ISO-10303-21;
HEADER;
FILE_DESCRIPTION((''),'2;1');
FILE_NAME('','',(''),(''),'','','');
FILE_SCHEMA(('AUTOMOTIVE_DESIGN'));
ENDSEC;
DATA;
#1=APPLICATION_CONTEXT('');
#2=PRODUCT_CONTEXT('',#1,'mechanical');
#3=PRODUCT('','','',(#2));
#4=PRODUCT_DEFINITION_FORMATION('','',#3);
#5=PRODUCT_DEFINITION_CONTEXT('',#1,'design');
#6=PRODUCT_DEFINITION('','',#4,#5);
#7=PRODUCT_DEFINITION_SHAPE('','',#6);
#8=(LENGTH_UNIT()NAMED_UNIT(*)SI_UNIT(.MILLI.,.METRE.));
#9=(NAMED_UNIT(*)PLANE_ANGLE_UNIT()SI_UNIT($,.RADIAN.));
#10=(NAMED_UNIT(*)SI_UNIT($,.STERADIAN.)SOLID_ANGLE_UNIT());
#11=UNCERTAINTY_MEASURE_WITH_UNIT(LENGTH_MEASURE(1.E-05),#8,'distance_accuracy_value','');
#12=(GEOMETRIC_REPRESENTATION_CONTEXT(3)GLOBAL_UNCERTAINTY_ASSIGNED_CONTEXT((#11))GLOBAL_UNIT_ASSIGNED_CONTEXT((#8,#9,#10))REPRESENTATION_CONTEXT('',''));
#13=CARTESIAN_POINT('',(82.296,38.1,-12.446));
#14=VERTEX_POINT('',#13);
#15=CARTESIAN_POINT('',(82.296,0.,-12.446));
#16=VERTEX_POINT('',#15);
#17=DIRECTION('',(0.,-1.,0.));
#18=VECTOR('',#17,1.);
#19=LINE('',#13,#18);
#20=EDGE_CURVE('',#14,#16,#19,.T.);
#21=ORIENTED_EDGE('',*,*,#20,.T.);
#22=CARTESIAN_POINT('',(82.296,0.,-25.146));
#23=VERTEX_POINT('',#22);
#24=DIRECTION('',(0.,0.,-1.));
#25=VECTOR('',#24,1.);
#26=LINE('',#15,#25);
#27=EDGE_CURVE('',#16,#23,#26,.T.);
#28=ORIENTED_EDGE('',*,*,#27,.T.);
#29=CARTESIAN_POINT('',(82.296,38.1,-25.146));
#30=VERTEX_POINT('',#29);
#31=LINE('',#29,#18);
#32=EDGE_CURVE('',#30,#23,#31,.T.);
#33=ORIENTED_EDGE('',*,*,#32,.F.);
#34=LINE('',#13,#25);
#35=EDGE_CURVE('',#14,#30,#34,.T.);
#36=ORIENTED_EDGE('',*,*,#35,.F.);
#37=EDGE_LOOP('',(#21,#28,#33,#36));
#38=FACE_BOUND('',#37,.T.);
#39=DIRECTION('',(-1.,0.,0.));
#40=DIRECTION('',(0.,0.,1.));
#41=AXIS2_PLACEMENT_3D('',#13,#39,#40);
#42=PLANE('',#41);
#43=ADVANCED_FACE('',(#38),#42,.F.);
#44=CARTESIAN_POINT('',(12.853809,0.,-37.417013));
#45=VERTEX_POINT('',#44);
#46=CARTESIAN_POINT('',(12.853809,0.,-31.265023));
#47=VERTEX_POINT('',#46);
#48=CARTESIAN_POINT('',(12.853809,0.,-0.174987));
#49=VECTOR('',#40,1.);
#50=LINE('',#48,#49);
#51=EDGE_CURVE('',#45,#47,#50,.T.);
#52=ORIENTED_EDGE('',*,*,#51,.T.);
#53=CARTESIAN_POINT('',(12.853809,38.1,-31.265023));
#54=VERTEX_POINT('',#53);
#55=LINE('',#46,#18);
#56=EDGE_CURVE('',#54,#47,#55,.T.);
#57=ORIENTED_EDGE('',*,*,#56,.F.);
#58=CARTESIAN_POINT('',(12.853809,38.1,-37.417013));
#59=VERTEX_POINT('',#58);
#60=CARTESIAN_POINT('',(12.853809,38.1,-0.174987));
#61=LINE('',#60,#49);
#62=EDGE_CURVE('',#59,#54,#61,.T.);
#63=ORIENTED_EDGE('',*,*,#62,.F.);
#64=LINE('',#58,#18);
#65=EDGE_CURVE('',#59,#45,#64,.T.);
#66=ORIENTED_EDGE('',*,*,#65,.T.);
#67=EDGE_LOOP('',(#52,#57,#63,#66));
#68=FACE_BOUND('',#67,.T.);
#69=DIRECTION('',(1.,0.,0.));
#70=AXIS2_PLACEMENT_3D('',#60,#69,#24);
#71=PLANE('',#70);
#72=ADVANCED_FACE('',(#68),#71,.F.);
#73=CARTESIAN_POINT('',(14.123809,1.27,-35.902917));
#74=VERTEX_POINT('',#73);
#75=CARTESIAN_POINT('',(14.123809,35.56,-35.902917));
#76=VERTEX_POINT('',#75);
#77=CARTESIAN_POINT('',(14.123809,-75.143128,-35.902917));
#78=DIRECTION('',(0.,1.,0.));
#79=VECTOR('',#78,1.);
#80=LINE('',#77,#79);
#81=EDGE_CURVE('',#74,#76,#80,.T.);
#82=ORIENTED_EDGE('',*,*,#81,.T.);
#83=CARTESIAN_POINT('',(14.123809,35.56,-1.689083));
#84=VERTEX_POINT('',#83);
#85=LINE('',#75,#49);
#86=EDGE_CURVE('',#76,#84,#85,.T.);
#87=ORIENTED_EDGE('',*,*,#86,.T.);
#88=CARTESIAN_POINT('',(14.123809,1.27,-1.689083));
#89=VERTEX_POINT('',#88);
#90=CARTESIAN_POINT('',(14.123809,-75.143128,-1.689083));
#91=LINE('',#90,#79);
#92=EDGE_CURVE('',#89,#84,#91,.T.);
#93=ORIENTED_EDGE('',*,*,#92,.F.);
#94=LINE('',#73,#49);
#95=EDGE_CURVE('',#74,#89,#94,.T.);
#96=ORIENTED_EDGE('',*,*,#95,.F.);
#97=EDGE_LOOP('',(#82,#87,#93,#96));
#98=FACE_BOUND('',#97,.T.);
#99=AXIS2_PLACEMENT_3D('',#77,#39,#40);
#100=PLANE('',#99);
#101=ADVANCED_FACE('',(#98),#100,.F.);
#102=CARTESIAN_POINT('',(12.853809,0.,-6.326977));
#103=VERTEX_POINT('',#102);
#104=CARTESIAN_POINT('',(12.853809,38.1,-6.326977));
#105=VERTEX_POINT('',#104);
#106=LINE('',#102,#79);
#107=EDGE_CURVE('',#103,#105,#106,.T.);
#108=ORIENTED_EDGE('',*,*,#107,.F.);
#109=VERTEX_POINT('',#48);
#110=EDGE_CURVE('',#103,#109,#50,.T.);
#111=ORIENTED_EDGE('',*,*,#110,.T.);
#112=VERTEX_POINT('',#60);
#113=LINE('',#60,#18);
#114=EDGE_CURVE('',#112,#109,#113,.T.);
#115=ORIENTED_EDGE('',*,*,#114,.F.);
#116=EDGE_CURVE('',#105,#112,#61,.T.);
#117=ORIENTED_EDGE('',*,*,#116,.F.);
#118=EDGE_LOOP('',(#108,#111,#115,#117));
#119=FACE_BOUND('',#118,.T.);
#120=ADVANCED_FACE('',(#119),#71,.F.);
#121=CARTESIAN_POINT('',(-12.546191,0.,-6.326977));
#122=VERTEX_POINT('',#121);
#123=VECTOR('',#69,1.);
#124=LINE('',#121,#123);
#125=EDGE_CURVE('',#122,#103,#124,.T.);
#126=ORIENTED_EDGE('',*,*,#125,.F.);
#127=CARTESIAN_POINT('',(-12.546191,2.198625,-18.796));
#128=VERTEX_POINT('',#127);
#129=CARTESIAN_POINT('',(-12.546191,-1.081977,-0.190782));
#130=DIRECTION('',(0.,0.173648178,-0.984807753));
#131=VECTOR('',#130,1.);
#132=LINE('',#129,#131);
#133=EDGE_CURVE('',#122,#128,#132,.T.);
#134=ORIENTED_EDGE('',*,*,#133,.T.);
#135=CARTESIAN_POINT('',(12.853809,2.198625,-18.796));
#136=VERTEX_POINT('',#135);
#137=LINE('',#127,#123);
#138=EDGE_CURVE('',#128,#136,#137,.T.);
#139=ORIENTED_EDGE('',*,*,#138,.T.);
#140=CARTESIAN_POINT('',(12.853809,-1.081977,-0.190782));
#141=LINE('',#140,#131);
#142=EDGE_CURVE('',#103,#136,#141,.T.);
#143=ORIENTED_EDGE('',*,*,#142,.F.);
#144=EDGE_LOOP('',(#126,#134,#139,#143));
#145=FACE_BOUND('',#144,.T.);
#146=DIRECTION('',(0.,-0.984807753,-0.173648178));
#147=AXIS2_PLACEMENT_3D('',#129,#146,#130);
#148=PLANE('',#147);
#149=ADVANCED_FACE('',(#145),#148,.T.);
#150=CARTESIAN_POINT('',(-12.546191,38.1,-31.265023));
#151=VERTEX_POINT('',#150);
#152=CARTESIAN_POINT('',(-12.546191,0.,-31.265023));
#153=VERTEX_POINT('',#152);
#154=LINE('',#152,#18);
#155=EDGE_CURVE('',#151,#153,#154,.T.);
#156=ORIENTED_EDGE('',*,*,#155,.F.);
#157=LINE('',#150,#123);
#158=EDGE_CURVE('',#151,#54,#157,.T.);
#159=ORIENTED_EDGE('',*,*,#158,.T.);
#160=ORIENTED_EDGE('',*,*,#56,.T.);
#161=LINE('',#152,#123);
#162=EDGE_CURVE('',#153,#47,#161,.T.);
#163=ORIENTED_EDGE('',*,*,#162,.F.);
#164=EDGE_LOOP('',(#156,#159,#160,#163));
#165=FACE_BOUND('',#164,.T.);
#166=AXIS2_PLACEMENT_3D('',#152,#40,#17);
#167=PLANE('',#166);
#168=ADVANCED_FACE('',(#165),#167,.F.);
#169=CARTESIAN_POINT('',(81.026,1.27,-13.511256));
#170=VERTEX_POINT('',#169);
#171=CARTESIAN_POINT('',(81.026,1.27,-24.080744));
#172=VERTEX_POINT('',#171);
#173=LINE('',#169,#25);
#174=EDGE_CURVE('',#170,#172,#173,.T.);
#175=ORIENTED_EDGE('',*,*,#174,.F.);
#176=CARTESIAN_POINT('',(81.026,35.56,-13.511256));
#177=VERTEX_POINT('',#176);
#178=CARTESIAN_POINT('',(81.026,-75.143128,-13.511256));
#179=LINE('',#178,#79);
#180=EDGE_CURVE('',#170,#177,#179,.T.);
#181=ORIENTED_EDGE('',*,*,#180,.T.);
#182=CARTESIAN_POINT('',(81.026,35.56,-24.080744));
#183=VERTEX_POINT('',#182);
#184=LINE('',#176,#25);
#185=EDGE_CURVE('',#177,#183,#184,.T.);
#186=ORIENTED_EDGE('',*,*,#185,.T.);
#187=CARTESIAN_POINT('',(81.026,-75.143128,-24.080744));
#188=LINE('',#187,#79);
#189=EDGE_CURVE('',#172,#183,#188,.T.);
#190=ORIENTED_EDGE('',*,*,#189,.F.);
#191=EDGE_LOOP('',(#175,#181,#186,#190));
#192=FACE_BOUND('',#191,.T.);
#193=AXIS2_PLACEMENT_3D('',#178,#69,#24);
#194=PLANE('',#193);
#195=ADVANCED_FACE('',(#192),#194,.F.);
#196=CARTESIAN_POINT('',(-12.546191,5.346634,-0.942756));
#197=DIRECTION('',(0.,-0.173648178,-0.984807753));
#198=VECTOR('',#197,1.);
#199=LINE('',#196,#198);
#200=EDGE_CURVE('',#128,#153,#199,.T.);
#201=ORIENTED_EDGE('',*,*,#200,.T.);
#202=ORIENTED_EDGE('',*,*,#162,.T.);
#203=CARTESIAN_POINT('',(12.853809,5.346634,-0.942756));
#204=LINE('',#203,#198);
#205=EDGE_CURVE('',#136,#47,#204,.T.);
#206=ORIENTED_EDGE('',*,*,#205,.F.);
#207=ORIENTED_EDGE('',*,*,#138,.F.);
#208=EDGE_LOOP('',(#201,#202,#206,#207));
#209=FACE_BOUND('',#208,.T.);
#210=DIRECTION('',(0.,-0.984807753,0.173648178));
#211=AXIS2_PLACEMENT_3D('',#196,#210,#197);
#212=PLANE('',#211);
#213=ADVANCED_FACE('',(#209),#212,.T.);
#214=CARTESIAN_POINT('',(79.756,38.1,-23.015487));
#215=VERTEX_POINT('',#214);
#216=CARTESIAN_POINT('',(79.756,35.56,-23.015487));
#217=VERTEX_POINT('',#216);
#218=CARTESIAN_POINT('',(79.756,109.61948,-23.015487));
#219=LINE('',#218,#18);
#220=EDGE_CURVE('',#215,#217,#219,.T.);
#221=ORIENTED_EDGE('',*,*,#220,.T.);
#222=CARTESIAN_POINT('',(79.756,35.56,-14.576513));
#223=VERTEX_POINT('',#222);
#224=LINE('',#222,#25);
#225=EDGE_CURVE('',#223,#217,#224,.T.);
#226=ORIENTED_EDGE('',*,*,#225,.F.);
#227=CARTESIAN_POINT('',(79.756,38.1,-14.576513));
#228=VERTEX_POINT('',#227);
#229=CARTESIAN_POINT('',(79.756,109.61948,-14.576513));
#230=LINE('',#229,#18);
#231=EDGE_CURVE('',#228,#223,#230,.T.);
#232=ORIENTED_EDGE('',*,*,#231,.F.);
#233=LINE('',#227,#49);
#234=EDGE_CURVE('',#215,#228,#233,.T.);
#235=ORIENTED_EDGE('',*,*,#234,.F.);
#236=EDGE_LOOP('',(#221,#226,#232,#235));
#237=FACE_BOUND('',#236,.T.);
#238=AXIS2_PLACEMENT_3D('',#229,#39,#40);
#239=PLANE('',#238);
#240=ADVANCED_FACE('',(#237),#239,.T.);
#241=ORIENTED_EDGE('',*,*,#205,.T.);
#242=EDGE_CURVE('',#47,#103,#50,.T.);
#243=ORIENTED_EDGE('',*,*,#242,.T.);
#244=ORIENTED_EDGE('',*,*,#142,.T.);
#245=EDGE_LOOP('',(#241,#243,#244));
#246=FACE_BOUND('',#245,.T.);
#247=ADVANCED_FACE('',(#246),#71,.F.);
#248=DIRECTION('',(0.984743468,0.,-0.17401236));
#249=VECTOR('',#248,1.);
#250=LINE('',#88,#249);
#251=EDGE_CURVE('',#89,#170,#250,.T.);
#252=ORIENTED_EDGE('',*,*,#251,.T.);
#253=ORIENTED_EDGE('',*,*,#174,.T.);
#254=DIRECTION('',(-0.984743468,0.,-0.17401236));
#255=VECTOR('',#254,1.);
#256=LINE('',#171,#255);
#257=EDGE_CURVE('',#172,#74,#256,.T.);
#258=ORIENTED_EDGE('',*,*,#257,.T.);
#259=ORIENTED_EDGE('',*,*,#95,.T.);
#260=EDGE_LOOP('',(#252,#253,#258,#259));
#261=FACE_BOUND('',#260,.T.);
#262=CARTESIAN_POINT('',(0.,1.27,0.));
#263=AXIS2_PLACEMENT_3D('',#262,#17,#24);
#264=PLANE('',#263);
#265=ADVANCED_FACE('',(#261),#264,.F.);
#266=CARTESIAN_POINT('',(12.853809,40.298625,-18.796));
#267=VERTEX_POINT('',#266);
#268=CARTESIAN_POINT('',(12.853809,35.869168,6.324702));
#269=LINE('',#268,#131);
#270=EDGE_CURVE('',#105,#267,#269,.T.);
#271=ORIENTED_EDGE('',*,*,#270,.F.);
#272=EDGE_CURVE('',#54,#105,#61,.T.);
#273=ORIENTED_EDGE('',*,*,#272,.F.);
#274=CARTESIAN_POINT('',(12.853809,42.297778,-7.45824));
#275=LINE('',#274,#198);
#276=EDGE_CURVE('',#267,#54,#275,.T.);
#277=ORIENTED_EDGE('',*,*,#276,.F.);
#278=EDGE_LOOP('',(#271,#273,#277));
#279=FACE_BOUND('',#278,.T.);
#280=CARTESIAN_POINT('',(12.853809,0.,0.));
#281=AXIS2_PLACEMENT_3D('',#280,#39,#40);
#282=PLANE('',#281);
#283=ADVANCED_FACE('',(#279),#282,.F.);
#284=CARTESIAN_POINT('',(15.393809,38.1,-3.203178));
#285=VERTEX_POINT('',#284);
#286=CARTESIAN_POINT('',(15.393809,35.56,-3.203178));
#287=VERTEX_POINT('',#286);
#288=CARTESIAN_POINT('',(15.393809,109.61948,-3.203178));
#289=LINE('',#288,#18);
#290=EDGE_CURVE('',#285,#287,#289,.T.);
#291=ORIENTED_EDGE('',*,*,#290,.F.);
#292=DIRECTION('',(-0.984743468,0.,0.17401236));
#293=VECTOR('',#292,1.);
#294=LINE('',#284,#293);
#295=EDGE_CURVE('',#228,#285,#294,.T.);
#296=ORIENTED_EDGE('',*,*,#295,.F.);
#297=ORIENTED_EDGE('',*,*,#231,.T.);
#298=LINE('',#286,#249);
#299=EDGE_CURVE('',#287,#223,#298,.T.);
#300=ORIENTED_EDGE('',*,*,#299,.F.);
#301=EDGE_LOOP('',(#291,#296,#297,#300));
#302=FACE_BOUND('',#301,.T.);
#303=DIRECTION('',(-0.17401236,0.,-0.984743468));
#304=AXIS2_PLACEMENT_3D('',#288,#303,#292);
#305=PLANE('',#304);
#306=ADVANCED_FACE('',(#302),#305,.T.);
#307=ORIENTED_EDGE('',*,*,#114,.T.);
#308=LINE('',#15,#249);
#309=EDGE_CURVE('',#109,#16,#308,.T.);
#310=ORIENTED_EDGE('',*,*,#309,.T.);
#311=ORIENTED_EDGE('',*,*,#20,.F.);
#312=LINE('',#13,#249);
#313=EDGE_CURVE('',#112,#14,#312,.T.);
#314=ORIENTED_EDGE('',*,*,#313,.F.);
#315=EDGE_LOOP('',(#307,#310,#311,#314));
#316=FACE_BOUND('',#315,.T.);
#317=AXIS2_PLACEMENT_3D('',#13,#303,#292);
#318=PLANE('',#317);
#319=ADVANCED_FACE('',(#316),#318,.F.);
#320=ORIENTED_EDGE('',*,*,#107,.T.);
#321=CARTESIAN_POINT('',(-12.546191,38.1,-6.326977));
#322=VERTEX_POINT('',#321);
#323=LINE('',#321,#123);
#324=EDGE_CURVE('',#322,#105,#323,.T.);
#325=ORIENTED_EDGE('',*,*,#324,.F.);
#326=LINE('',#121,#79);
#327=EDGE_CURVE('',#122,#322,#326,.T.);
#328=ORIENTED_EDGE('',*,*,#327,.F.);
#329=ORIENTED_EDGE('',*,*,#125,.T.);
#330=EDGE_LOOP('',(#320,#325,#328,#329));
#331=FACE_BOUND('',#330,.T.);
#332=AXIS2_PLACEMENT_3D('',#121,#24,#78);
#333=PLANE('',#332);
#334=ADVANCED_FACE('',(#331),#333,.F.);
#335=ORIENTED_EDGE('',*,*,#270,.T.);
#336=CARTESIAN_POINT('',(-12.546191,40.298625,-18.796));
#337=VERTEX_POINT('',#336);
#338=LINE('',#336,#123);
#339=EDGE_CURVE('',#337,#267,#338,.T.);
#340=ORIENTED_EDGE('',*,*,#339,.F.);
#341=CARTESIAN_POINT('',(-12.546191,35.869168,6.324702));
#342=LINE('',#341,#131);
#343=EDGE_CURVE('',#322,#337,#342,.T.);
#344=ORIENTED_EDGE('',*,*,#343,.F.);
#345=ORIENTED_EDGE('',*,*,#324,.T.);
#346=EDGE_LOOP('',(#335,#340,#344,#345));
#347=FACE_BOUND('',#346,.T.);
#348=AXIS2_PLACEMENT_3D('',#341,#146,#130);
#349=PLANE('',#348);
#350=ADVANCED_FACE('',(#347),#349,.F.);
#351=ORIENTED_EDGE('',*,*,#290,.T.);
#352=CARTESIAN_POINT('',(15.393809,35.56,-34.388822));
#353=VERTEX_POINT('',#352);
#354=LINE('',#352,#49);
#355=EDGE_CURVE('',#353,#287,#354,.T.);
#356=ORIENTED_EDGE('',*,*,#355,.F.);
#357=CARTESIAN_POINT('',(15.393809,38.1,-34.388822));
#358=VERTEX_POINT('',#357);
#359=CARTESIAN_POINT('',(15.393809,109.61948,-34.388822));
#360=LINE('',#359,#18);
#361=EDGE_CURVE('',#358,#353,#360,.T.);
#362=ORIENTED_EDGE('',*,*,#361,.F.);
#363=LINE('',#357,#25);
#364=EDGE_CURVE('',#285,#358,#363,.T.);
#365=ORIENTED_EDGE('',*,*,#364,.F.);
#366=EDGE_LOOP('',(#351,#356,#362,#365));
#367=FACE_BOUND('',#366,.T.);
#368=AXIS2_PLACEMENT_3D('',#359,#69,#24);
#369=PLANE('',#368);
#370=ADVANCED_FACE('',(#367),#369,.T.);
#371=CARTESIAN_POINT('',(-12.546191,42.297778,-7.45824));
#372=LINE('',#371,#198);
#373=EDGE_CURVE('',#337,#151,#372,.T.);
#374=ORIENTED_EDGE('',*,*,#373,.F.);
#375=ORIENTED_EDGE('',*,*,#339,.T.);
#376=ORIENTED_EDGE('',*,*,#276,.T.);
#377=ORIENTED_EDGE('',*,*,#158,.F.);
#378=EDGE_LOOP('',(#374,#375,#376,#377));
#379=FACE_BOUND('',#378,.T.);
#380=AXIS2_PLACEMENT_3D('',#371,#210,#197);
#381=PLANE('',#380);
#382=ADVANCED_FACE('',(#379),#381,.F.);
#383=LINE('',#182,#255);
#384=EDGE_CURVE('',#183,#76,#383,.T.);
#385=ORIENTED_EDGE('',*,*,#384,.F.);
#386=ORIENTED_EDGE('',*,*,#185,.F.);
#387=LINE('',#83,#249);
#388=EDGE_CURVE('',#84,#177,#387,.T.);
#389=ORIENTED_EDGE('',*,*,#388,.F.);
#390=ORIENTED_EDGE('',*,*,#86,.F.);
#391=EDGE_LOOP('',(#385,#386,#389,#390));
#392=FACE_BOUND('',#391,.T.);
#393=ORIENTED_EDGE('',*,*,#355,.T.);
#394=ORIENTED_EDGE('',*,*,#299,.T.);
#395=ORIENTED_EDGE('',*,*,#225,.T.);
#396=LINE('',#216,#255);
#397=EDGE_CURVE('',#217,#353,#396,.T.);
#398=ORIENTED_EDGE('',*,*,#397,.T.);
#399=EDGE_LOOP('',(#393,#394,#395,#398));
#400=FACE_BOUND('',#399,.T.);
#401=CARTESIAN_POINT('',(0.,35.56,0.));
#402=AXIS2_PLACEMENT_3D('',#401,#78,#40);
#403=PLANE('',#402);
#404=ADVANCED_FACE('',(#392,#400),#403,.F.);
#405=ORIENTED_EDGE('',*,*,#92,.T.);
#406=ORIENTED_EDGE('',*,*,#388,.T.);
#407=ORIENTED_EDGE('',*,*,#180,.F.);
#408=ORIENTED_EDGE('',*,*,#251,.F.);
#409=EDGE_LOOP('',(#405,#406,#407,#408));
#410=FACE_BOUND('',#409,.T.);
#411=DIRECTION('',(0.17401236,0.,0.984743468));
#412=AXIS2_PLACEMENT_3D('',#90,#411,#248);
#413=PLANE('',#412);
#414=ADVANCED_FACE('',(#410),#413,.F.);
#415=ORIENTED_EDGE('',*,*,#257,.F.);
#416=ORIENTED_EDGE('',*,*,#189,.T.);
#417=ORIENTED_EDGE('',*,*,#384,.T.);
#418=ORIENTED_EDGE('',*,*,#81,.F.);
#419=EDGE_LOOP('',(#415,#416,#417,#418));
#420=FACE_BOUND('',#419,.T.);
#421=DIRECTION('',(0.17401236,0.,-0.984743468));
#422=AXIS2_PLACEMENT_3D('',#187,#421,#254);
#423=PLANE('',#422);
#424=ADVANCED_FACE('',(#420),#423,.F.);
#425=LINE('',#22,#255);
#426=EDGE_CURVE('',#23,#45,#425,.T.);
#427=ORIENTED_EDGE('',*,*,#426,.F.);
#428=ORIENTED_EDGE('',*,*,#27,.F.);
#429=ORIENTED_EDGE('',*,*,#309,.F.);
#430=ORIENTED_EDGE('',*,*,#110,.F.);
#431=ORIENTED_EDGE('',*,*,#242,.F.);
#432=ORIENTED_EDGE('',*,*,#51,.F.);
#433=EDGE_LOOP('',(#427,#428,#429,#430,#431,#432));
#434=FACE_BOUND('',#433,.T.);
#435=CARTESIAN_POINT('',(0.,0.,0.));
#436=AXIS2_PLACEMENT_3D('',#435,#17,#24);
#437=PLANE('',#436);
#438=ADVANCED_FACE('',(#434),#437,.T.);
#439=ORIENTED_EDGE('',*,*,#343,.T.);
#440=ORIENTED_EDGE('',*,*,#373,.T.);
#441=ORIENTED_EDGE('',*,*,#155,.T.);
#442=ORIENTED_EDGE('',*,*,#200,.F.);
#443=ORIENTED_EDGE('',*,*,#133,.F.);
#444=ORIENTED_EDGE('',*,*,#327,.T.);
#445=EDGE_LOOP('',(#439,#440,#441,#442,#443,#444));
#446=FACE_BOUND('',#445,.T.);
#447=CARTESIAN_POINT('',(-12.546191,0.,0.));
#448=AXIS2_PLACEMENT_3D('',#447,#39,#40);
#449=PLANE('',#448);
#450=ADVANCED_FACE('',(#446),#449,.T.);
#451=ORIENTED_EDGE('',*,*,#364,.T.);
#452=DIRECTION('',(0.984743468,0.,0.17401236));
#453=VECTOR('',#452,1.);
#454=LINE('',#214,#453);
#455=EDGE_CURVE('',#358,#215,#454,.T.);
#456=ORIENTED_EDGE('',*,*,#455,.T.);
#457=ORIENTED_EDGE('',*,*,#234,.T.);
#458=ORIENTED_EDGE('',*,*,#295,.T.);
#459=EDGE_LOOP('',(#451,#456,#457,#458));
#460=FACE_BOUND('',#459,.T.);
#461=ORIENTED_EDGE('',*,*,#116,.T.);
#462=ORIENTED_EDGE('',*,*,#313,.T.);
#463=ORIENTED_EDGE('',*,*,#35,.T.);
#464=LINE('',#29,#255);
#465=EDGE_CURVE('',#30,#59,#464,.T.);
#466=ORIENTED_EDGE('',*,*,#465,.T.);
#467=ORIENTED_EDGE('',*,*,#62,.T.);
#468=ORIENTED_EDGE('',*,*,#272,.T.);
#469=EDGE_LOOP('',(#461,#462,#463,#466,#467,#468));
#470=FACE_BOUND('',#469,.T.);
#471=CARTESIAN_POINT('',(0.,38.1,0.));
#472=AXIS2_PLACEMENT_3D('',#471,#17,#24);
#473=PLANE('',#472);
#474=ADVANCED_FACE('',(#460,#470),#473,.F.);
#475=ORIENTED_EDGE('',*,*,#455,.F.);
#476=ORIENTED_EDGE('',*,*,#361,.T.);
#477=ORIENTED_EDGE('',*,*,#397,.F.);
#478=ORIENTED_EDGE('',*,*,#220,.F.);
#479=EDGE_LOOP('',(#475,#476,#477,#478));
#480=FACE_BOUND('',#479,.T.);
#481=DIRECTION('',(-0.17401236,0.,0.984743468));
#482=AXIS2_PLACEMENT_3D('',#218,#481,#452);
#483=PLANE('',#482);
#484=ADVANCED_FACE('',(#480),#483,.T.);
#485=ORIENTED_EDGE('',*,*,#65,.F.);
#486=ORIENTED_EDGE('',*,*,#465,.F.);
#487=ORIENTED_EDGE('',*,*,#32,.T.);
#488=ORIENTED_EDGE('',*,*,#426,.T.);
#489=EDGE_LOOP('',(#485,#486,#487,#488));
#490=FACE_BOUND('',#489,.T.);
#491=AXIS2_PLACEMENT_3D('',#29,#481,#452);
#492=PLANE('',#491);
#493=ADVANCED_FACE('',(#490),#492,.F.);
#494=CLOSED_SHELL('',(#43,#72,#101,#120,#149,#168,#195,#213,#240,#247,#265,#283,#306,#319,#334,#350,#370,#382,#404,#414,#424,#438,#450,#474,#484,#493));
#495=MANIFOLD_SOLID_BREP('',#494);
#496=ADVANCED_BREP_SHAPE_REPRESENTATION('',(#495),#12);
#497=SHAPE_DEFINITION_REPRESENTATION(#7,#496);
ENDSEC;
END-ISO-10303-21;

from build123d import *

# Parameters (mm, degrees)
BOSS_EXTRUDE1_DEPTH = 38.1
CUT_EXTRUDE1_DEPTH  = 2.54
CUT_EXTRUDE2_DEPTH  = 34.29
BOSS_EXTRUDE2_DEPTH = 25.4


with BuildPart() as part:
    # Sketch1 → Boss-Extrude1 (new body)
    with BuildSketch(Plane(origin=(0, 0, 0), x_dir=(1, 0, 0), z_dir=(0, 1, 0))):
        Polygon((12.853808955, 0.174987325), (12.853808955, 37.417012675), (82.296, 25.146), (82.296, 12.446), align=None)
    extrude(amount=BOSS_EXTRUDE1_DEPTH)

    # Sketch3 → Cut-Extrude1 (cut)
    with BuildSketch(Plane(origin=(0, 35.56, 0), x_dir=(1, 0, 0), z_dir=(0, 1, 0))):
        Polygon((79.756, 14.576512841), (79.756, 23.015487159), (15.393808955, 34.388821586), (15.393808955, 3.203178414), align=None)
    extrude(amount=CUT_EXTRUDE1_DEPTH, mode=Mode.SUBTRACT)

    # Sketch6 → Cut-Extrude2 (cut)
    with BuildSketch(Plane(origin=(0, 35.56, 0), x_dir=(1, 0, 0), z_dir=(0, 1, 0))):
        Polygon((81.026, 13.511256421), (81.026, 24.080743579), (14.123808955, 35.90291713), (14.123808955, 1.68908287), align=None)
    extrude(amount=-CUT_EXTRUDE2_DEPTH, mode=Mode.SUBTRACT)

    # Sketch8 → Boss-Extrude2 (add)
    with BuildSketch(Plane.ZY.offset(-12.853808955)):
        Polygon((-31.26502256, 38.1), (-31.26502256, 0), (-18.796, 2.1986251), (-6.32697744, 0), (-6.32697744, 38.1), (-18.796, 40.2986251), align=None)
    extrude(amount=BOSS_EXTRUDE2_DEPTH)


solid = part.part
